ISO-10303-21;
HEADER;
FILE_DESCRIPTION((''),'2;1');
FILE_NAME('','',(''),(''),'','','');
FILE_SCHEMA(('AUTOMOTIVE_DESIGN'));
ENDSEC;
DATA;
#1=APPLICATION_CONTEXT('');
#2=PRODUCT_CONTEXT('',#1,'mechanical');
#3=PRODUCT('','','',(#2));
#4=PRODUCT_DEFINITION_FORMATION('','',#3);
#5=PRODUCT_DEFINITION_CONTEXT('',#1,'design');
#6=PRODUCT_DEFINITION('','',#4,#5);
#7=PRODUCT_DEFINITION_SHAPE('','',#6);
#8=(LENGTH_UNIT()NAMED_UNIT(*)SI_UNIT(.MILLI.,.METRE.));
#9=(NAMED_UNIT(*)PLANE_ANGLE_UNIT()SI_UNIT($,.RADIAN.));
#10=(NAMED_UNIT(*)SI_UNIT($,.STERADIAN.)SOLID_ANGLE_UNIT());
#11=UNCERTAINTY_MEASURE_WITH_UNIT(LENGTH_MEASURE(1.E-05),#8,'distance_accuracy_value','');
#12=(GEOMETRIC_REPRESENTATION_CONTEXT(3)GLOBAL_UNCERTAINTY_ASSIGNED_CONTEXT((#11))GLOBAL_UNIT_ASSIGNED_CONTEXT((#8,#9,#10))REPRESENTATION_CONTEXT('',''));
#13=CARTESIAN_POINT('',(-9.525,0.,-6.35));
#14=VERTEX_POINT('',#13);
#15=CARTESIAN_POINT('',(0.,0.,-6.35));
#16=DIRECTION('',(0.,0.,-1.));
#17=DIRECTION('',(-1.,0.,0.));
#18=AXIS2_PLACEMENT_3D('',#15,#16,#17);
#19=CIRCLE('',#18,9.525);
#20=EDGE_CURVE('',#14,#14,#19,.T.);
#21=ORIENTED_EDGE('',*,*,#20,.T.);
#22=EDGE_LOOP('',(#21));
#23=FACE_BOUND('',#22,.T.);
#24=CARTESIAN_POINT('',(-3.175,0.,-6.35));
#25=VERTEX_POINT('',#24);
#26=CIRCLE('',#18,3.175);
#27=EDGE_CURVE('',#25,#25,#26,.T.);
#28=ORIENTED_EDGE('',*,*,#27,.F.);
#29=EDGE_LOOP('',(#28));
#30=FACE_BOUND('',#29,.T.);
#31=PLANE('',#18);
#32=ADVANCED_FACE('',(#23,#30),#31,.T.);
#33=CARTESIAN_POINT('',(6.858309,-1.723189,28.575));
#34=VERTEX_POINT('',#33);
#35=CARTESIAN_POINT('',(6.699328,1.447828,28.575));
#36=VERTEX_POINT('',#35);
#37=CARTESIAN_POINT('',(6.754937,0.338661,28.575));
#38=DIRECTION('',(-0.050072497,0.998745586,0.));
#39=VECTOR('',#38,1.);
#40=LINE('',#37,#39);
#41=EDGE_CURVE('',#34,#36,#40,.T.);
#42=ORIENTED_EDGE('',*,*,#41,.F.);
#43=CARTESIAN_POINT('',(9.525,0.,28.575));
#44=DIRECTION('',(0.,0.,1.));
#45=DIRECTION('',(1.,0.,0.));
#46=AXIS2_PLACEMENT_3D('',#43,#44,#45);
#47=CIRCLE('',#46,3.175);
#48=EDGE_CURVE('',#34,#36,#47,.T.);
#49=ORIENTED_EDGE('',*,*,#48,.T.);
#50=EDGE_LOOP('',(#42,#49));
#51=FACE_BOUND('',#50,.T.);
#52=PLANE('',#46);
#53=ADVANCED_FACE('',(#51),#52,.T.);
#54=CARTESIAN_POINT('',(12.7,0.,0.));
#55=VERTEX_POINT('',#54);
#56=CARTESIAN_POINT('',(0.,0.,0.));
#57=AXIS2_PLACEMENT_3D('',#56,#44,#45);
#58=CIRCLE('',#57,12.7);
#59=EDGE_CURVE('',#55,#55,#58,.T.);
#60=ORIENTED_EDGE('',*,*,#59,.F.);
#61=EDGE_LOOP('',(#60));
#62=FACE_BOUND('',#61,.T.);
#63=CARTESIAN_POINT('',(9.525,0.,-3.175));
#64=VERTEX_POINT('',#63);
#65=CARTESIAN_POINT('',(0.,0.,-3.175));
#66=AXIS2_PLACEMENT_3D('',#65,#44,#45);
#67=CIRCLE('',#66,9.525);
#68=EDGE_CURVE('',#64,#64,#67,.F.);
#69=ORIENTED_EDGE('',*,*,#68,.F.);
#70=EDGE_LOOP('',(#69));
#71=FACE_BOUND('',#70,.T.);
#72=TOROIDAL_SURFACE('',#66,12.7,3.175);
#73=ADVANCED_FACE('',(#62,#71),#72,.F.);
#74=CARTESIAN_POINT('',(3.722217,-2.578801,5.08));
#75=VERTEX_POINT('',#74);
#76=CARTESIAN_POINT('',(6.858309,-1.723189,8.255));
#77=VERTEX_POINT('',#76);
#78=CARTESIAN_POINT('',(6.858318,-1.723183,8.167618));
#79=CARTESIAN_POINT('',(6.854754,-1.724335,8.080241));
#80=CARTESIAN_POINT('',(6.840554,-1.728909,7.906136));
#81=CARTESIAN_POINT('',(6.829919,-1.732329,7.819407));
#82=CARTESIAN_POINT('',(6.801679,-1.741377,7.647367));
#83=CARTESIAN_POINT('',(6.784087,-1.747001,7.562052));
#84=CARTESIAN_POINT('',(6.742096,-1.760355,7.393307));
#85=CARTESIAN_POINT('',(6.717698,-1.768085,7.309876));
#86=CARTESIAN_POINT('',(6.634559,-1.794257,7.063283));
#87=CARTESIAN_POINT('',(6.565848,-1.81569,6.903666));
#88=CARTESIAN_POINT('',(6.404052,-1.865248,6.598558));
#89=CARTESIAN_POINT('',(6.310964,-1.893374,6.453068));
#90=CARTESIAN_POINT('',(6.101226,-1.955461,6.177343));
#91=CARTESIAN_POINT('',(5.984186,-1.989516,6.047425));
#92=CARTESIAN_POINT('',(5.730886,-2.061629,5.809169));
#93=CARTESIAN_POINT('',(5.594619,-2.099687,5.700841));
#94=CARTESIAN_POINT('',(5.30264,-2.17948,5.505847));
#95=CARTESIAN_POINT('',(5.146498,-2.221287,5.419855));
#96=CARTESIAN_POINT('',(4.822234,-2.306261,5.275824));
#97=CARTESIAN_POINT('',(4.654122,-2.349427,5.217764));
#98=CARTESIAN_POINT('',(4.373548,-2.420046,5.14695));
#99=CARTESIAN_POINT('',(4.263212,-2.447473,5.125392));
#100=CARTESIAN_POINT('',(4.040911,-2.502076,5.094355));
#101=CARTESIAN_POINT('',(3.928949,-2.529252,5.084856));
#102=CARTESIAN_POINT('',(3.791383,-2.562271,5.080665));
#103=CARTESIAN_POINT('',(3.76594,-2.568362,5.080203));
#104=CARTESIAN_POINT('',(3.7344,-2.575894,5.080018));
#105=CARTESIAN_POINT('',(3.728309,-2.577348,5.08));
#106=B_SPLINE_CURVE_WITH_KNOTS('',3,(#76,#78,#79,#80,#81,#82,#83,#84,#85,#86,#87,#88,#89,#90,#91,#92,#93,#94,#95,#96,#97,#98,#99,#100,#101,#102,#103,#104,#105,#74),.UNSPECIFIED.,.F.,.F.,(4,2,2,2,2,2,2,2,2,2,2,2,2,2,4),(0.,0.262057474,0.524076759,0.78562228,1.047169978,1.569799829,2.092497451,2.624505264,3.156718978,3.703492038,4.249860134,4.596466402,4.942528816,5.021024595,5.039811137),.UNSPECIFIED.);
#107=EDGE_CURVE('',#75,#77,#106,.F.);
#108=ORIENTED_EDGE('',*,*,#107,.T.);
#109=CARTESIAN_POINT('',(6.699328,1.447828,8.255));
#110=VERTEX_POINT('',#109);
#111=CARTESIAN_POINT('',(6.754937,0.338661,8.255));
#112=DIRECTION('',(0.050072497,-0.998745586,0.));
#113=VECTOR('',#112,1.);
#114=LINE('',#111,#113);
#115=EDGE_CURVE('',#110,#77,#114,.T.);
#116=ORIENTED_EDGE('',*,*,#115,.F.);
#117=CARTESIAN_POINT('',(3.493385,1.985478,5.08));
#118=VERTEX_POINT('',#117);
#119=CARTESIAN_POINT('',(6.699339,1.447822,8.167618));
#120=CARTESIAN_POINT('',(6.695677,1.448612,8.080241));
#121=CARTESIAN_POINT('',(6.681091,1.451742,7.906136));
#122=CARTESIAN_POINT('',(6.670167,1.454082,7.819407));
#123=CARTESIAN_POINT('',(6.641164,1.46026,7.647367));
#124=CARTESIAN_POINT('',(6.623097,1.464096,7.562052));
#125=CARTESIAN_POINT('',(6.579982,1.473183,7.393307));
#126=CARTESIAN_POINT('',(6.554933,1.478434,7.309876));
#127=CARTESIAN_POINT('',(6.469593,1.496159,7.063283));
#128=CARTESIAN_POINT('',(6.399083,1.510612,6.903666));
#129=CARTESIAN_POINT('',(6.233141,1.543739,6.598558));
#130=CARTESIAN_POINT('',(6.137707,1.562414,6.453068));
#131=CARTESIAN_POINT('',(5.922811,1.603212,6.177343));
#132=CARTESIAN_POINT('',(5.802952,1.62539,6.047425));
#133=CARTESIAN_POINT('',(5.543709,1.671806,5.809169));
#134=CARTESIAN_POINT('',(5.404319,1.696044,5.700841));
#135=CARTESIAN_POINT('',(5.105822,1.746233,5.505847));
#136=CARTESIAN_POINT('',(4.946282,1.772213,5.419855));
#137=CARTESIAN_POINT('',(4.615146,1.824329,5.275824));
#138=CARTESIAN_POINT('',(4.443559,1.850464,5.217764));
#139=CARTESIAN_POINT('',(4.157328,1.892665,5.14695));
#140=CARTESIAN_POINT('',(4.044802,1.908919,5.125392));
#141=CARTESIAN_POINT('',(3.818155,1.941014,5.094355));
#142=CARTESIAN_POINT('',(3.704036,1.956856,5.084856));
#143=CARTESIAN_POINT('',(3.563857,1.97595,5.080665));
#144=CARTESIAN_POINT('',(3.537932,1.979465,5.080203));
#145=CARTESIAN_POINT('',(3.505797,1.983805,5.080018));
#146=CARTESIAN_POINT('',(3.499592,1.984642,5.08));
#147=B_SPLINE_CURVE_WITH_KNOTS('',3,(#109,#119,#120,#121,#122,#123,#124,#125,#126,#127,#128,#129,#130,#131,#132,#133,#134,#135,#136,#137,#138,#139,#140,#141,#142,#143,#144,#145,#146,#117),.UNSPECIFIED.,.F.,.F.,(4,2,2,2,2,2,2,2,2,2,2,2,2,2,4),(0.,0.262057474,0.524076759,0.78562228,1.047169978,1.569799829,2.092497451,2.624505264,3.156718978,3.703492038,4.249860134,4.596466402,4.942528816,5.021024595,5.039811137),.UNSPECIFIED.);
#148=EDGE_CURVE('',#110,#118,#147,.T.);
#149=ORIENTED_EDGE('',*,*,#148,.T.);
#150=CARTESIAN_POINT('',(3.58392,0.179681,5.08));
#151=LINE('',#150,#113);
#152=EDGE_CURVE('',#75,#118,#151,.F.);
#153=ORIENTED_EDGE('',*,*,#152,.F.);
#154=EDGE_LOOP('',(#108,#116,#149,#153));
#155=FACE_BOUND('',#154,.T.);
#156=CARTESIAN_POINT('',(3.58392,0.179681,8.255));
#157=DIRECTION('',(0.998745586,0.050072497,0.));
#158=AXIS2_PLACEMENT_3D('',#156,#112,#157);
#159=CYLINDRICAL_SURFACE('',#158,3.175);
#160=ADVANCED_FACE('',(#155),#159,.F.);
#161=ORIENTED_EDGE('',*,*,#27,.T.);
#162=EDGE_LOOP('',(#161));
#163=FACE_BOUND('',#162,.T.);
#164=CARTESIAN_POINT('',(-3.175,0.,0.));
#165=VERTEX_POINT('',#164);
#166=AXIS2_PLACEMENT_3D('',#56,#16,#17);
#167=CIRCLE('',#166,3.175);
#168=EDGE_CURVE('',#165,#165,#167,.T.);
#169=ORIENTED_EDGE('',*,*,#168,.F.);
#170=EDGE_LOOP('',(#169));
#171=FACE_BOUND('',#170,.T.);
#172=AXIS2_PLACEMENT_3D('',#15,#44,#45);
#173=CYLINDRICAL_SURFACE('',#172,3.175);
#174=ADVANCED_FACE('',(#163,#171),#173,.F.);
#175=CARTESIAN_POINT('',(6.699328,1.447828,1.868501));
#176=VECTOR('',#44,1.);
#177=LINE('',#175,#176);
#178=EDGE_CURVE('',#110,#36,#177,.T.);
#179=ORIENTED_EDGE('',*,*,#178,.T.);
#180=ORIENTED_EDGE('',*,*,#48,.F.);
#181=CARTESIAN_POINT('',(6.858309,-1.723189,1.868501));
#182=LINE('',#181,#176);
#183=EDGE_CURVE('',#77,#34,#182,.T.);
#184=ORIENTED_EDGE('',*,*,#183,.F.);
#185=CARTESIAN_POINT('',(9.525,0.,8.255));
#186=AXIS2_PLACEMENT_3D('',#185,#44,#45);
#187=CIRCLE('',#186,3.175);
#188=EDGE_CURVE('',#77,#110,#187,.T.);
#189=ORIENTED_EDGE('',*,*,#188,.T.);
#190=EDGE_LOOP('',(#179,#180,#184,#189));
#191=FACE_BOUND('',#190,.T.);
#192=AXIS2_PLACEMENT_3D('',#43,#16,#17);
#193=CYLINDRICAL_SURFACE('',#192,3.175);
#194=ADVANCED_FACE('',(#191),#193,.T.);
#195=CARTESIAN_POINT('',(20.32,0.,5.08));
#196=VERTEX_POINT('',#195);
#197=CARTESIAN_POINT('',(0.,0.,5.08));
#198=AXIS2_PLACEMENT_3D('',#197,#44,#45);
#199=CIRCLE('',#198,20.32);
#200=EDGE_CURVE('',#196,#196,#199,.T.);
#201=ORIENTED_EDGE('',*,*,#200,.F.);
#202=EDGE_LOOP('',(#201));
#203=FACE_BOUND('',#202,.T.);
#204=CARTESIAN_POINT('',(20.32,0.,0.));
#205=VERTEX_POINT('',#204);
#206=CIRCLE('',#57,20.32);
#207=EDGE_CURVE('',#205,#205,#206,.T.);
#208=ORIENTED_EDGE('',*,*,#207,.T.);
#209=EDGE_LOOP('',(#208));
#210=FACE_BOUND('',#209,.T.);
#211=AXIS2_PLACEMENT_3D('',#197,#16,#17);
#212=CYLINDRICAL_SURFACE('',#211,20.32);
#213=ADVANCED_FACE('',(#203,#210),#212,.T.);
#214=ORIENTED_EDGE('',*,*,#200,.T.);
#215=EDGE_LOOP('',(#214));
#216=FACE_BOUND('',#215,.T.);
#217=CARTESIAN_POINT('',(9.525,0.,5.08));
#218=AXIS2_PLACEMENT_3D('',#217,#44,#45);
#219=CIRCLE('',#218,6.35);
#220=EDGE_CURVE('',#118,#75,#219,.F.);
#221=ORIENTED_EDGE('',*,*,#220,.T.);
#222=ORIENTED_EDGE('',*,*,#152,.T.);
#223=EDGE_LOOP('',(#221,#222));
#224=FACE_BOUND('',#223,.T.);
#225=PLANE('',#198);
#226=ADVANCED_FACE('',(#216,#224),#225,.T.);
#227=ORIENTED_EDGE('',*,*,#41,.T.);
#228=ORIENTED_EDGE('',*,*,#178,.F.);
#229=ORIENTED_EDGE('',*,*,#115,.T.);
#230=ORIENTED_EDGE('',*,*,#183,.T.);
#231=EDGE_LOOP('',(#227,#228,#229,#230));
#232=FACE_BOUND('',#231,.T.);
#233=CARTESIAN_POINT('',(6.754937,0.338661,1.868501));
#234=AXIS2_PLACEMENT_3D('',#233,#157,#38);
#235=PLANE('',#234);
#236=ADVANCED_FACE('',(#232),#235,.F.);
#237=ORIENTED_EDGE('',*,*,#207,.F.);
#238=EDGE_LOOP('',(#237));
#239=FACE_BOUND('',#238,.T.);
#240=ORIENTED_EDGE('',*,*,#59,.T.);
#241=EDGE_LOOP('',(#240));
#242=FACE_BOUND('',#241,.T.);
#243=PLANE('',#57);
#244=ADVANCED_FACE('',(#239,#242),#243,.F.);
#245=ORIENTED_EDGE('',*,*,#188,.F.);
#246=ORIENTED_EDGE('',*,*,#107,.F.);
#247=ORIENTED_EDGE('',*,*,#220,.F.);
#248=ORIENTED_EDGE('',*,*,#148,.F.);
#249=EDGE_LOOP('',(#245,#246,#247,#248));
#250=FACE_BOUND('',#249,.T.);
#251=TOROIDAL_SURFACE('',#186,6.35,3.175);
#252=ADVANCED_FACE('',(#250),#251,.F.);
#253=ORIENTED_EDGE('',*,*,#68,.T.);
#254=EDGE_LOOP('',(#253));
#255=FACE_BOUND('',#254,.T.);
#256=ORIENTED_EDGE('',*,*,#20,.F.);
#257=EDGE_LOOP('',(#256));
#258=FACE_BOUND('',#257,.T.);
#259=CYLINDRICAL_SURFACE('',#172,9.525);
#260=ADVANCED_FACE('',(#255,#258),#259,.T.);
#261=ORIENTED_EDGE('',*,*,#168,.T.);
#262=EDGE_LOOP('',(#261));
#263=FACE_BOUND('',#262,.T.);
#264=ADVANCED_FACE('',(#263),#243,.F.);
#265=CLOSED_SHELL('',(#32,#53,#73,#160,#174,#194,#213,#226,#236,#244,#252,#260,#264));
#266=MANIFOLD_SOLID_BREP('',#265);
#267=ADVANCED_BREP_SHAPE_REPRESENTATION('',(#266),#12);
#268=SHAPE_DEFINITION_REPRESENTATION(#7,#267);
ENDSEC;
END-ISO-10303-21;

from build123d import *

# Parameters (mm, degrees)
ESQUISSE1_R             = 20.32
ESQUISSE1_R_2           = 3.175
BOSS_EXTRU_1_DEPTH      = 5.08
ESQUISSE2_R             = 3.175
BOSS_EXTRU_2_DEPTH      = 28.575
ENL_V_MAT_EXTRU_1_DEPTH = 23.495
ESQUISSE4_R             = 4.097809842
BOSS_EXTRU_3_DEPTH      = 5.08
ESQUISSE5_R             = 9.525
ESQUISSE5_R_2           = 3.175
BOSS_EXTRU_4_DEPTH      = 6.35
CONG_1_R                = 3.175


with BuildPart() as part:
    # Esquisse1 → Boss.-Extru.1 (new body)
    with BuildSketch(Plane.XY):
        Circle(ESQUISSE1_R)
        with Locations((9.525, 0)):
            Circle(ESQUISSE1_R_2, mode=Mode.SUBTRACT)
        Circle(ESQUISSE1_R_2, mode=Mode.SUBTRACT)
    extrude(amount=BOSS_EXTRU_1_DEPTH)

    # Esquisse2 → Boss.-Extru.2 (add)
    with BuildSketch(Plane.XY):
        with Locations((9.525, 0)):
            Circle(ESQUISSE2_R)
    extrude(amount=BOSS_EXTRU_2_DEPTH)

    # Esquisse3 → Enlèv. mat.-Extru.1 (cut)
    with BuildSketch(Plane.XY.offset(28.575)):
        Polygon((10.863482677, -81.610355532), (6.858308609, -1.723189492), (6.699328429, 1.447827743), (2.694154361, 81.334993784), (-157.08017772, 73.324645646), (-148.910849404, -89.620703669), align=None)
    extrude(amount=-ENL_V_MAT_EXTRU_1_DEPTH, mode=Mode.SUBTRACT)

    # Esquisse4 → Boss.-Extru.3 (add)
    with BuildSketch(Plane.XY.offset(5.08)):
        Circle(ESQUISSE4_R)
    extrude(amount=-BOSS_EXTRU_3_DEPTH)

    # Esquisse5 → Boss.-Extru.4 (add)
    with BuildSketch(Plane(origin=(0, 0, 0), x_dir=(-1, 0, 0), z_dir=(0, 0, -1))):
        Circle(ESQUISSE5_R)
        Circle(ESQUISSE5_R_2, mode=Mode.SUBTRACT)
    extrude(amount=BOSS_EXTRU_4_DEPTH)

    # Congé1
    cong_1_edges = [part.edges().sort_by_distance(p)[0] for p in [
        (12.696017235, 0.15898018, 5.08),
        (6.778818519, -0.137680874, 5.08),
        (9.525, 0, 0),
    ]]
    fillet(cong_1_edges, radius=CONG_1_R)


solid = part.part
